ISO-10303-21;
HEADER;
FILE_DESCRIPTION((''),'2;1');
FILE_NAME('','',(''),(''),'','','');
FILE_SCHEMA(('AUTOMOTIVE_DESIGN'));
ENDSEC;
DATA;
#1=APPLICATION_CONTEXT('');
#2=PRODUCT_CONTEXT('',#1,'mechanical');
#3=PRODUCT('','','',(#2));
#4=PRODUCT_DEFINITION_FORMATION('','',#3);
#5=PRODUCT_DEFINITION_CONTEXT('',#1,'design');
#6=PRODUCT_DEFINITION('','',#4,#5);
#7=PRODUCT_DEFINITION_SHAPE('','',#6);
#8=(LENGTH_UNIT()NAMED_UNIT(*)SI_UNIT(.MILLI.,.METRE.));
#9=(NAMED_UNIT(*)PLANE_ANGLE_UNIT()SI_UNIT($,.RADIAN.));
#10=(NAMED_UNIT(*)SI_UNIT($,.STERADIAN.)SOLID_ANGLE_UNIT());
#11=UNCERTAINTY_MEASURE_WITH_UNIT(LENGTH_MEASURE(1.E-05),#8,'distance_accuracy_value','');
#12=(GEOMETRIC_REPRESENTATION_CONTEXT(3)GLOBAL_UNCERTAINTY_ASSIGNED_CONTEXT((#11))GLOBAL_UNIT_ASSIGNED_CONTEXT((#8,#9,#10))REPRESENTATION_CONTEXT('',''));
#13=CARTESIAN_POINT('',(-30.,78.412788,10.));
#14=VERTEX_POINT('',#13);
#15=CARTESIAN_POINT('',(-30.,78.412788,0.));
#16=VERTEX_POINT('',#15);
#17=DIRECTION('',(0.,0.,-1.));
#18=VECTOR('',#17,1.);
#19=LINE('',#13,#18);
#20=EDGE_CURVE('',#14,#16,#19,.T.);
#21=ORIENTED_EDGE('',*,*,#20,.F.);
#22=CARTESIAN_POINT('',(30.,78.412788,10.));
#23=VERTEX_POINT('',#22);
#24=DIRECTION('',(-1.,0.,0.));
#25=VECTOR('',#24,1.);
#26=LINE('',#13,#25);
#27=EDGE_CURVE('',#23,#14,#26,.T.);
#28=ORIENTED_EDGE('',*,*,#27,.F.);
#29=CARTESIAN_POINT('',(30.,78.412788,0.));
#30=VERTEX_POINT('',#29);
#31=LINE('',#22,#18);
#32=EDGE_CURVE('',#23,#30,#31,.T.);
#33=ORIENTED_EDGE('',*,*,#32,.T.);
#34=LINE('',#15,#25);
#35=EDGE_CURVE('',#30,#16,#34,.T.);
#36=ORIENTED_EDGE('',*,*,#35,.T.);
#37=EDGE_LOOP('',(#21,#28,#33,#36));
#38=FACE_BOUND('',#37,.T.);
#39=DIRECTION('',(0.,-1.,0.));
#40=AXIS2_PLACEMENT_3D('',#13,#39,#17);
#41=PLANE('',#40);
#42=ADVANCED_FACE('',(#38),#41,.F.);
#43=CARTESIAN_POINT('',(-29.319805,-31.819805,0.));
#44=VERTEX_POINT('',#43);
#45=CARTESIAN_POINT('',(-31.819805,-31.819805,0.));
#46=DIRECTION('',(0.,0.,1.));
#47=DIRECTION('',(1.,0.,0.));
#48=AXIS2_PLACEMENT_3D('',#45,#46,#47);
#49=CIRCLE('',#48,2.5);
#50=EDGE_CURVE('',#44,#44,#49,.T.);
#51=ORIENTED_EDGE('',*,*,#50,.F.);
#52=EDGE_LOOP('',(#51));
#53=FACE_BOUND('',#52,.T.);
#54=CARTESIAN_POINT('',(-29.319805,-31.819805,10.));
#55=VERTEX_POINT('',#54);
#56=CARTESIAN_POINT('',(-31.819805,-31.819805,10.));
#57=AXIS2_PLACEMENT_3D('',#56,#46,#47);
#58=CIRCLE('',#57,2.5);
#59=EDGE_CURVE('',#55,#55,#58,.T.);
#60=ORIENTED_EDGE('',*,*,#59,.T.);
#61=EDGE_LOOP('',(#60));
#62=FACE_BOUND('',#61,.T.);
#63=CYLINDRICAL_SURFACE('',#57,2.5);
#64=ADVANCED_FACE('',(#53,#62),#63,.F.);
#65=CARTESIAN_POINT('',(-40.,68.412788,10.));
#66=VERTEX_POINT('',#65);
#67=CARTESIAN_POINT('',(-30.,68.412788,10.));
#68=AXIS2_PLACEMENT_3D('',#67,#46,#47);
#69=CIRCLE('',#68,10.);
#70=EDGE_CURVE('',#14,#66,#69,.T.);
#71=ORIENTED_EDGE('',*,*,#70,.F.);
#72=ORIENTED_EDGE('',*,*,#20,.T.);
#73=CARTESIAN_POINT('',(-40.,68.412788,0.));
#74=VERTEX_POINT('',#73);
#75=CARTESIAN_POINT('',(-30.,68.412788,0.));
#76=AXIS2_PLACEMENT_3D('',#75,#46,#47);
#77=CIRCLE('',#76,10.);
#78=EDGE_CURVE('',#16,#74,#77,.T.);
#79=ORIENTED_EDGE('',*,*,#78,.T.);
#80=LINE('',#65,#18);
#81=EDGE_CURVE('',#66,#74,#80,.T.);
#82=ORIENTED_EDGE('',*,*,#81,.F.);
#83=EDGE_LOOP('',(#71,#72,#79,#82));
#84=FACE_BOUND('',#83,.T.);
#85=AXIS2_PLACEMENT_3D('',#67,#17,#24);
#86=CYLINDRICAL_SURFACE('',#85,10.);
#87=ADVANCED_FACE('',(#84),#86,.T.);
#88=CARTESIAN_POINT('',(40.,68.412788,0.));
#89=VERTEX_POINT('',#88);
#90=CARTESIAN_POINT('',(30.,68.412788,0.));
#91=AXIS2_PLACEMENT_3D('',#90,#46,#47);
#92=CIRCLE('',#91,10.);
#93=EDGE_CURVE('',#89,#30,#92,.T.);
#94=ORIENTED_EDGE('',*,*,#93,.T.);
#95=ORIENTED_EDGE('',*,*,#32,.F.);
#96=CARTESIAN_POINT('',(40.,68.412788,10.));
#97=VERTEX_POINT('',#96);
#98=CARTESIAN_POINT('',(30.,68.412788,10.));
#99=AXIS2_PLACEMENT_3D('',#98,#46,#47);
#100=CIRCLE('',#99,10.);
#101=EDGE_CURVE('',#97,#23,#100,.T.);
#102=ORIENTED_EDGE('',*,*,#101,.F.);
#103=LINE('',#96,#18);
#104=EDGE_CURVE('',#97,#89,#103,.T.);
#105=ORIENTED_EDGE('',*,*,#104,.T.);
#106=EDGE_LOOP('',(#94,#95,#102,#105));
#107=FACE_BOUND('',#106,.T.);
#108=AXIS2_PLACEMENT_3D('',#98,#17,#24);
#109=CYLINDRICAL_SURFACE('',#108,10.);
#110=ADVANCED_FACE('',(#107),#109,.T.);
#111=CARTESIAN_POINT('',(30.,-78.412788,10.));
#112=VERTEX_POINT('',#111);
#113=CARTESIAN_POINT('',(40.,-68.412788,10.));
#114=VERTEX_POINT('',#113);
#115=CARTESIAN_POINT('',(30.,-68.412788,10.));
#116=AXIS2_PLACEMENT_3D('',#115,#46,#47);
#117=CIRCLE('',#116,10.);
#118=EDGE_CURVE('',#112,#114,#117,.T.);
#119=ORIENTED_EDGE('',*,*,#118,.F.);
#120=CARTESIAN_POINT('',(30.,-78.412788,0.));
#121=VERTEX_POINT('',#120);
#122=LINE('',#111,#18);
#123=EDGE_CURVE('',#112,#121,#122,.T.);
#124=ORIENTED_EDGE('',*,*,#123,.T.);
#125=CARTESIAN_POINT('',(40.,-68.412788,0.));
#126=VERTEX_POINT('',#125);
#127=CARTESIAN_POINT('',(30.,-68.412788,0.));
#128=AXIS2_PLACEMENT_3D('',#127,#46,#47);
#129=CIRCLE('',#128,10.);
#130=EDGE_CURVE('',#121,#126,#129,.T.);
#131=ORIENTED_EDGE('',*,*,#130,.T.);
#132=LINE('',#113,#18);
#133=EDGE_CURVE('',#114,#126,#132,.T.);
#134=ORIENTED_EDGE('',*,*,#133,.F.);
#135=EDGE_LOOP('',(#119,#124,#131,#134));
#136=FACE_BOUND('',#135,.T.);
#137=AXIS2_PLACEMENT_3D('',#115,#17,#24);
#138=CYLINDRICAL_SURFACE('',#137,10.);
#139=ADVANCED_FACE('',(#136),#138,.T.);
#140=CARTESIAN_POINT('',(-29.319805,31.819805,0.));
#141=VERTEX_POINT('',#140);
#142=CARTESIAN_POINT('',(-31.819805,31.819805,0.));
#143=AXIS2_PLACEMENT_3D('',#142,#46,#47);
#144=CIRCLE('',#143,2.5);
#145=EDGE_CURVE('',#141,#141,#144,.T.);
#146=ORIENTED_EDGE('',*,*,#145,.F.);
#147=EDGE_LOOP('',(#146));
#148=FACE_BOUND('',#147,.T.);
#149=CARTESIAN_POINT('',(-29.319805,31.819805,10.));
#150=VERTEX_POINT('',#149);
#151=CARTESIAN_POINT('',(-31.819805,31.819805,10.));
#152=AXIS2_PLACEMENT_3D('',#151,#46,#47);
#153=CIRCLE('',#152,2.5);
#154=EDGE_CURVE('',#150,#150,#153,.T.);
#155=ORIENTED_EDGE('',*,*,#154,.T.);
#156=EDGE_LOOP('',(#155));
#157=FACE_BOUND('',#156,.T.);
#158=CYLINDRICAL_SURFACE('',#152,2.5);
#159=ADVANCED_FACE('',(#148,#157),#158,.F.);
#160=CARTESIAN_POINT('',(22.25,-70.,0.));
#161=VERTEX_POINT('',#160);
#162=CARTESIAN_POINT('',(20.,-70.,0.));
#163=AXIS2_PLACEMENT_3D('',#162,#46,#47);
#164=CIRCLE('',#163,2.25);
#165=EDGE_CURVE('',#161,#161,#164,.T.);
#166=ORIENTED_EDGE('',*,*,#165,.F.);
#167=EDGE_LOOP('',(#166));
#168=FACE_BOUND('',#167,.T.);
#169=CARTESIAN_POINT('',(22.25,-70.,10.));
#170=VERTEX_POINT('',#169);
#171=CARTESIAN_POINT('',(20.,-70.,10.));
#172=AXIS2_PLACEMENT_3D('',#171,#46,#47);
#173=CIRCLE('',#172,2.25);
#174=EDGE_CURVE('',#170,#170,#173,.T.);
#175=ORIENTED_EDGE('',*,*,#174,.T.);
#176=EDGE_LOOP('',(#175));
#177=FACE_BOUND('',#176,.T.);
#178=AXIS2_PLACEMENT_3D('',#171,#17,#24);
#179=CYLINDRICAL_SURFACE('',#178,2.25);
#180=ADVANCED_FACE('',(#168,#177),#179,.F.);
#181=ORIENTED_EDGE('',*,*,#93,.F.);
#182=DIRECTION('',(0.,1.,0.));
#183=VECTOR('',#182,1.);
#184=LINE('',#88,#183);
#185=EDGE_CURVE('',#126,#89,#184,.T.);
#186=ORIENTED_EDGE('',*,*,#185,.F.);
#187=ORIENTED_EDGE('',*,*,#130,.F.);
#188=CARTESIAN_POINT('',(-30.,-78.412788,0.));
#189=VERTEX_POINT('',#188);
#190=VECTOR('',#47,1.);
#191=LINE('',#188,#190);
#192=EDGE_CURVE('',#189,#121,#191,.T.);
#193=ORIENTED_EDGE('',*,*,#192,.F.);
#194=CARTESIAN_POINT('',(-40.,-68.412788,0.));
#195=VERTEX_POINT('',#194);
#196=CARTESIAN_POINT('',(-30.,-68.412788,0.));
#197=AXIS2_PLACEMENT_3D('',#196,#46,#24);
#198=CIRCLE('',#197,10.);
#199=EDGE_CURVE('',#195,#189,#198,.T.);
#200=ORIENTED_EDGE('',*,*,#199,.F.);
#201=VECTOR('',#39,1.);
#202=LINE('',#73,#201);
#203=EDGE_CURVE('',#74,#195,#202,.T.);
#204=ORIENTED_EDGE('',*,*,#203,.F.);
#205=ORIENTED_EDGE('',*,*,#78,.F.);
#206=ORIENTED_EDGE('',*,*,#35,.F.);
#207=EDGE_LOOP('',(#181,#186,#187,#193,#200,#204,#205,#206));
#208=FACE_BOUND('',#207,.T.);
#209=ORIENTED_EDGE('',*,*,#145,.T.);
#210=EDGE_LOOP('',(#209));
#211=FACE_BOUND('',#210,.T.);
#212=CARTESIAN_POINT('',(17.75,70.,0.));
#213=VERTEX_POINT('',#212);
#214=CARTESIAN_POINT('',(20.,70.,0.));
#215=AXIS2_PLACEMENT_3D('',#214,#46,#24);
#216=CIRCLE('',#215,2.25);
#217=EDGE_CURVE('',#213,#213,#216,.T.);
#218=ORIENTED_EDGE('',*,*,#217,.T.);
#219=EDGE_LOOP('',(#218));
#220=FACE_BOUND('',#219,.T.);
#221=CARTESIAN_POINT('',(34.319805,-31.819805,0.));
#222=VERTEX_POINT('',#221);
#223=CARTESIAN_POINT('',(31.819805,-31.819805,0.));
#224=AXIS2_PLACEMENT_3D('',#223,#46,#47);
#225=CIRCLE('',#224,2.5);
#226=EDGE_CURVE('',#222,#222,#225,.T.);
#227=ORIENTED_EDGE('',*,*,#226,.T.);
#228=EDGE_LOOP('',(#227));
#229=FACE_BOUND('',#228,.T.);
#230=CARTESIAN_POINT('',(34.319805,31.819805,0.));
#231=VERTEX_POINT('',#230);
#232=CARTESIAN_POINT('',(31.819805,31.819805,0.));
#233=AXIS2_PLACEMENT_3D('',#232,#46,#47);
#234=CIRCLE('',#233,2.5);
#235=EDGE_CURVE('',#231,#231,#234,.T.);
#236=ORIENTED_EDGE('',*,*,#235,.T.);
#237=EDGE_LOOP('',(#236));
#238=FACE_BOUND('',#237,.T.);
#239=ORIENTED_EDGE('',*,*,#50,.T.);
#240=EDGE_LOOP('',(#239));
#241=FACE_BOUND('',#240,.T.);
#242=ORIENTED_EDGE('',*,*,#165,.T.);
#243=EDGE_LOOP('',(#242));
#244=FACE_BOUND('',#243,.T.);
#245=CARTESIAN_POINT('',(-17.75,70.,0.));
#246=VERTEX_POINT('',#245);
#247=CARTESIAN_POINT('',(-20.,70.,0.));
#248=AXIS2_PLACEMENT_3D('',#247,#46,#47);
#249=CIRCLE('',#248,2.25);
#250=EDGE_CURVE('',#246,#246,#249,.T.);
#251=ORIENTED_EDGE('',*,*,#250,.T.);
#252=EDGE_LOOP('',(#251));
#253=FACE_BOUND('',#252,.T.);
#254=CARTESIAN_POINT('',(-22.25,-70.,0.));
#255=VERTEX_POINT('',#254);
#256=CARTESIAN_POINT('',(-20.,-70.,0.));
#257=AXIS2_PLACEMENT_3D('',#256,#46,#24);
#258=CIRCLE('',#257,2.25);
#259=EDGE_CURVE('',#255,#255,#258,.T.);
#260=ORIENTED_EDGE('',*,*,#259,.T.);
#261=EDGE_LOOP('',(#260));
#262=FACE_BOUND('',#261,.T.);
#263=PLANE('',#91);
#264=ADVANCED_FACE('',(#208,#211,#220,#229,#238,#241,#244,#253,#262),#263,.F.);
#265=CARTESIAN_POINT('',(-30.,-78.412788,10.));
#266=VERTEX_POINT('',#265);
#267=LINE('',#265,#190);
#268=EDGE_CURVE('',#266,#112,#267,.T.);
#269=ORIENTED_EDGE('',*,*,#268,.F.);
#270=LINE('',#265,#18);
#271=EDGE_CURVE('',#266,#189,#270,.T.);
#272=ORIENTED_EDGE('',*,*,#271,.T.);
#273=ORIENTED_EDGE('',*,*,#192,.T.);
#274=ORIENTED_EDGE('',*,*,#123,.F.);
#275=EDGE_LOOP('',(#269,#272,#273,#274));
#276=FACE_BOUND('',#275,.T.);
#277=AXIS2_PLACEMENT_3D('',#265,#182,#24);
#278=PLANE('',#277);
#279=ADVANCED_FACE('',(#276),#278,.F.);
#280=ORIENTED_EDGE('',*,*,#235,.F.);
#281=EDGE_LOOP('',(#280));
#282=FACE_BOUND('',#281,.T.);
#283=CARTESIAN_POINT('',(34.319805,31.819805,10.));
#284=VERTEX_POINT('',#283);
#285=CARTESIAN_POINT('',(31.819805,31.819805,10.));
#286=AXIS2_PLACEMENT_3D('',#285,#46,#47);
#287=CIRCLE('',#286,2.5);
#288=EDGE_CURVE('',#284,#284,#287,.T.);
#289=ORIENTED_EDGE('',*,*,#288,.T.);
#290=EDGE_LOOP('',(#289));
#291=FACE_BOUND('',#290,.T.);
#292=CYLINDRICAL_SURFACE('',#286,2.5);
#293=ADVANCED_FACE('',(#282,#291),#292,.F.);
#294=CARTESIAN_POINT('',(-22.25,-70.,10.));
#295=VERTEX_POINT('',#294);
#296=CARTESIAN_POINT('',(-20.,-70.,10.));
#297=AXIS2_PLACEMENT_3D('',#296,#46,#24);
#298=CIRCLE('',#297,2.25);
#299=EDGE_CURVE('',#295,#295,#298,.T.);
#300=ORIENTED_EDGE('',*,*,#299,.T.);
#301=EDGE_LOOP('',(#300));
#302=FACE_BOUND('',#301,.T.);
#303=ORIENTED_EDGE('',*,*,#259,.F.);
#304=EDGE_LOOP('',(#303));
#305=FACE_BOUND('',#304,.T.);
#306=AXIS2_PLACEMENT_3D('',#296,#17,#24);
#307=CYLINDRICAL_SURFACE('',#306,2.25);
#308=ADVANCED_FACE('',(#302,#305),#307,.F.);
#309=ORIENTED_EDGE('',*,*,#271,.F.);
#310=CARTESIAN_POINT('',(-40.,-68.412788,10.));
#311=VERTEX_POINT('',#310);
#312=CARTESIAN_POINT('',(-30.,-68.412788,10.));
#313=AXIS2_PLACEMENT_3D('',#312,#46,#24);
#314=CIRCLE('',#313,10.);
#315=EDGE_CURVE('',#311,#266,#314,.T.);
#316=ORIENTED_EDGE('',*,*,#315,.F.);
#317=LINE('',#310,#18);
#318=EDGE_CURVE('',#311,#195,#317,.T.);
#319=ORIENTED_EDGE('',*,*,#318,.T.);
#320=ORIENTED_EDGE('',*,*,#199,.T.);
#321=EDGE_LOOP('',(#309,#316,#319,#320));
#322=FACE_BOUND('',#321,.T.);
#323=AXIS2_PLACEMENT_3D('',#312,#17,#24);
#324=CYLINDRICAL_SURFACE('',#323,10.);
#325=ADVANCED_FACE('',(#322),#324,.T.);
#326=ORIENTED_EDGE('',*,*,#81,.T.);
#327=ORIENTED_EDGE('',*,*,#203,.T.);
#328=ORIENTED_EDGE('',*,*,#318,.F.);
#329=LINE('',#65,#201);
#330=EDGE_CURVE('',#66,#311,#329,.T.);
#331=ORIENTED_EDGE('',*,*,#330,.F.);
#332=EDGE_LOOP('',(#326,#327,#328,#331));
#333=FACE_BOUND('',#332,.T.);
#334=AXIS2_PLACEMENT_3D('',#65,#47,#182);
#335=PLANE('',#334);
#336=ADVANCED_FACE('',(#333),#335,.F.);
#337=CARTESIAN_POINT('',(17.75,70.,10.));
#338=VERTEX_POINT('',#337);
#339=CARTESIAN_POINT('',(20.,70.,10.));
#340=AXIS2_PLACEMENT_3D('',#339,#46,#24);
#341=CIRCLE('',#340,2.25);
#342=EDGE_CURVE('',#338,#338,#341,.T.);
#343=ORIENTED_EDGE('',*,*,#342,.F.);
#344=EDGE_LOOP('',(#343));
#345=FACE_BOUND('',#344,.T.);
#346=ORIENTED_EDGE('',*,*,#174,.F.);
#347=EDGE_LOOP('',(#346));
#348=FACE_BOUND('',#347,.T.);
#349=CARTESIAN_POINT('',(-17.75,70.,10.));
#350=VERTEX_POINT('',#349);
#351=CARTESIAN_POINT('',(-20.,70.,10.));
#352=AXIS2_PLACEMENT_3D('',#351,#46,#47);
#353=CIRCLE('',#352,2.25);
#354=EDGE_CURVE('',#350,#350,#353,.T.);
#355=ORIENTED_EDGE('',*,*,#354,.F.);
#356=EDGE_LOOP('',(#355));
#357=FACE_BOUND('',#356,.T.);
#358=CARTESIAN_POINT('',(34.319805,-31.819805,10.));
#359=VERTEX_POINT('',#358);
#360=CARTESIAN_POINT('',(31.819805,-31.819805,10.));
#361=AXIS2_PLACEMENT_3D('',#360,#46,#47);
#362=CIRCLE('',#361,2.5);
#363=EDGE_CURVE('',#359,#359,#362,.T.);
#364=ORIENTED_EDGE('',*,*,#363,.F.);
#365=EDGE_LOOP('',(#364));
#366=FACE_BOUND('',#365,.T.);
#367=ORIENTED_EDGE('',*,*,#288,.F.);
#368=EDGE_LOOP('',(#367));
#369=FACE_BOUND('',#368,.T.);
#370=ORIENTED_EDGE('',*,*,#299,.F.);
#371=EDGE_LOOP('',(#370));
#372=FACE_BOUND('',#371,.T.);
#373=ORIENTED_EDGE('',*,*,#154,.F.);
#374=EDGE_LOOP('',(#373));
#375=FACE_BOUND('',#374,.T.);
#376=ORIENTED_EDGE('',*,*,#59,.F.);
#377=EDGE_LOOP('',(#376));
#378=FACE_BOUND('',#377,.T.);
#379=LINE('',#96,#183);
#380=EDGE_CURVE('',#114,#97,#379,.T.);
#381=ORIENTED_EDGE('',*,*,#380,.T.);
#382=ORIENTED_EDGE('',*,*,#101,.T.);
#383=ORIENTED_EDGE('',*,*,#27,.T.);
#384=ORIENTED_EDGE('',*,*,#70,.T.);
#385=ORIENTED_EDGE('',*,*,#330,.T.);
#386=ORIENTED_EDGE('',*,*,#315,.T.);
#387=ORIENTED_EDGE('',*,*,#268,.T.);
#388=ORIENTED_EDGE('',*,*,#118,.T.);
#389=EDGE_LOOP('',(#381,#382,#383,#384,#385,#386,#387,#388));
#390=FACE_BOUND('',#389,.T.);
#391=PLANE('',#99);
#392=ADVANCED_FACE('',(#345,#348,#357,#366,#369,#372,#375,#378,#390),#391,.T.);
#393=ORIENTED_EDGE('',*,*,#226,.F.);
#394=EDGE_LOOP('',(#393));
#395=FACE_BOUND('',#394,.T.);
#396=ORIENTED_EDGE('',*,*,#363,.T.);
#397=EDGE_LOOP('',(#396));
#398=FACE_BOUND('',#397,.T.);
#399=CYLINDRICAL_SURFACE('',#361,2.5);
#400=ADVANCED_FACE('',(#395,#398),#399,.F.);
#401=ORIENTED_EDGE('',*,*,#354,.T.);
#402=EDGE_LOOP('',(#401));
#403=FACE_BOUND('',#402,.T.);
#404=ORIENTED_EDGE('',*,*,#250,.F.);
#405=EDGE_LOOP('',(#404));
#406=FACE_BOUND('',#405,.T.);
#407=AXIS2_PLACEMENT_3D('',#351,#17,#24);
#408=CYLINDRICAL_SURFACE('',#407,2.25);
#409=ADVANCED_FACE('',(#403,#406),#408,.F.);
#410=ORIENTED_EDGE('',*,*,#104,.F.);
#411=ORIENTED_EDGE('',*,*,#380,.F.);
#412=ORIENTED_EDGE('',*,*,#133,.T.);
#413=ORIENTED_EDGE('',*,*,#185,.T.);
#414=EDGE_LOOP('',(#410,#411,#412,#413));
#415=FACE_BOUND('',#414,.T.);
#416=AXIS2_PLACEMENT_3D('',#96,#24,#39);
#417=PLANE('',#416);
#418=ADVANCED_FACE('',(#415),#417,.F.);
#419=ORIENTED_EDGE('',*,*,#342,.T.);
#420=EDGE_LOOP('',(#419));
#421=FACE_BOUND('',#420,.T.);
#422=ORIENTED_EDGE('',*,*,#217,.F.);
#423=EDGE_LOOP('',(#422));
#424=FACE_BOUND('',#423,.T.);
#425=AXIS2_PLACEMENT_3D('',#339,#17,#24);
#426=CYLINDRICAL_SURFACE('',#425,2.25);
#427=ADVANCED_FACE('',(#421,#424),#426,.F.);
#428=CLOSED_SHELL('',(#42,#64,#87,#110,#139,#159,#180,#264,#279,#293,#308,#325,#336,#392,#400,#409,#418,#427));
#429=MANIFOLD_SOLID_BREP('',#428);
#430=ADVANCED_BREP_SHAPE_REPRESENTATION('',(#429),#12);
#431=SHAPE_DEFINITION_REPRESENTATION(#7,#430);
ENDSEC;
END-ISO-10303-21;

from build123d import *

# Parameters (mm, degrees)
SKETCH1_R           = 2.25
BOSS_EXTRUDE1_DEPTH = 10
M6_TAPPED_HOLE1_D   = 5


with BuildPart() as part:
    # Sketch1 → Boss-Extrude1 (new body)
    with BuildSketch(Plane(origin=(0, 0, 0), x_dir=(0, 1, 0), z_dir=(0, 0, 1))):
        with BuildLine():
            Line((68.412788105, 40), (-68.412788105, 40))
            ThreePointArc((-68.412788105, 40), (-75.483855917, 37.071067812), (-78.412788105, 30))
            Line((-78.412788105, 30), (-78.412788105, -30))
            ThreePointArc((-78.412788105, -30), (-75.483855917, -37.071067812), (-68.412788105, -40))
            Line((-68.412788105, -40), (68.412788105, -40))
            ThreePointArc((68.412788105, -40), (75.483855917, -37.071067812), (78.412788105, -30))
            Line((78.412788105, -30), (78.412788105, 30))
            ThreePointArc((78.412788105, 30), (75.483855917, 37.071067812), (68.412788105, 40))
        make_face()
        with Locations(Location((70, 20, 0), (0, 0, 270))):
            Circle(SKETCH1_R, mode=Mode.SUBTRACT)
        with Locations(Location((70, -20, 0), (0, 0, 90))):
            Circle(SKETCH1_R, mode=Mode.SUBTRACT)
        with Locations(Location((-70, -20, 0), (0, 0, 270))):
            Circle(SKETCH1_R, mode=Mode.SUBTRACT)
        with Locations(Location((-70, 20, 0), (0, 0, 90))):
            Circle(SKETCH1_R, mode=Mode.SUBTRACT)
    extrude(amount=BOSS_EXTRUDE1_DEPTH)

    # M6 Tapped Hole1 (through all)
    with Locations(Plane.XY.offset(10)):
        with Locations((-31.819805153, -31.819805153), (31.819805153, 31.819805153), (-31.819805153, 31.819805153), (31.819805153, -31.819805153)):
            Hole(M6_TAPPED_HOLE1_D / 2)


solid = part.part
